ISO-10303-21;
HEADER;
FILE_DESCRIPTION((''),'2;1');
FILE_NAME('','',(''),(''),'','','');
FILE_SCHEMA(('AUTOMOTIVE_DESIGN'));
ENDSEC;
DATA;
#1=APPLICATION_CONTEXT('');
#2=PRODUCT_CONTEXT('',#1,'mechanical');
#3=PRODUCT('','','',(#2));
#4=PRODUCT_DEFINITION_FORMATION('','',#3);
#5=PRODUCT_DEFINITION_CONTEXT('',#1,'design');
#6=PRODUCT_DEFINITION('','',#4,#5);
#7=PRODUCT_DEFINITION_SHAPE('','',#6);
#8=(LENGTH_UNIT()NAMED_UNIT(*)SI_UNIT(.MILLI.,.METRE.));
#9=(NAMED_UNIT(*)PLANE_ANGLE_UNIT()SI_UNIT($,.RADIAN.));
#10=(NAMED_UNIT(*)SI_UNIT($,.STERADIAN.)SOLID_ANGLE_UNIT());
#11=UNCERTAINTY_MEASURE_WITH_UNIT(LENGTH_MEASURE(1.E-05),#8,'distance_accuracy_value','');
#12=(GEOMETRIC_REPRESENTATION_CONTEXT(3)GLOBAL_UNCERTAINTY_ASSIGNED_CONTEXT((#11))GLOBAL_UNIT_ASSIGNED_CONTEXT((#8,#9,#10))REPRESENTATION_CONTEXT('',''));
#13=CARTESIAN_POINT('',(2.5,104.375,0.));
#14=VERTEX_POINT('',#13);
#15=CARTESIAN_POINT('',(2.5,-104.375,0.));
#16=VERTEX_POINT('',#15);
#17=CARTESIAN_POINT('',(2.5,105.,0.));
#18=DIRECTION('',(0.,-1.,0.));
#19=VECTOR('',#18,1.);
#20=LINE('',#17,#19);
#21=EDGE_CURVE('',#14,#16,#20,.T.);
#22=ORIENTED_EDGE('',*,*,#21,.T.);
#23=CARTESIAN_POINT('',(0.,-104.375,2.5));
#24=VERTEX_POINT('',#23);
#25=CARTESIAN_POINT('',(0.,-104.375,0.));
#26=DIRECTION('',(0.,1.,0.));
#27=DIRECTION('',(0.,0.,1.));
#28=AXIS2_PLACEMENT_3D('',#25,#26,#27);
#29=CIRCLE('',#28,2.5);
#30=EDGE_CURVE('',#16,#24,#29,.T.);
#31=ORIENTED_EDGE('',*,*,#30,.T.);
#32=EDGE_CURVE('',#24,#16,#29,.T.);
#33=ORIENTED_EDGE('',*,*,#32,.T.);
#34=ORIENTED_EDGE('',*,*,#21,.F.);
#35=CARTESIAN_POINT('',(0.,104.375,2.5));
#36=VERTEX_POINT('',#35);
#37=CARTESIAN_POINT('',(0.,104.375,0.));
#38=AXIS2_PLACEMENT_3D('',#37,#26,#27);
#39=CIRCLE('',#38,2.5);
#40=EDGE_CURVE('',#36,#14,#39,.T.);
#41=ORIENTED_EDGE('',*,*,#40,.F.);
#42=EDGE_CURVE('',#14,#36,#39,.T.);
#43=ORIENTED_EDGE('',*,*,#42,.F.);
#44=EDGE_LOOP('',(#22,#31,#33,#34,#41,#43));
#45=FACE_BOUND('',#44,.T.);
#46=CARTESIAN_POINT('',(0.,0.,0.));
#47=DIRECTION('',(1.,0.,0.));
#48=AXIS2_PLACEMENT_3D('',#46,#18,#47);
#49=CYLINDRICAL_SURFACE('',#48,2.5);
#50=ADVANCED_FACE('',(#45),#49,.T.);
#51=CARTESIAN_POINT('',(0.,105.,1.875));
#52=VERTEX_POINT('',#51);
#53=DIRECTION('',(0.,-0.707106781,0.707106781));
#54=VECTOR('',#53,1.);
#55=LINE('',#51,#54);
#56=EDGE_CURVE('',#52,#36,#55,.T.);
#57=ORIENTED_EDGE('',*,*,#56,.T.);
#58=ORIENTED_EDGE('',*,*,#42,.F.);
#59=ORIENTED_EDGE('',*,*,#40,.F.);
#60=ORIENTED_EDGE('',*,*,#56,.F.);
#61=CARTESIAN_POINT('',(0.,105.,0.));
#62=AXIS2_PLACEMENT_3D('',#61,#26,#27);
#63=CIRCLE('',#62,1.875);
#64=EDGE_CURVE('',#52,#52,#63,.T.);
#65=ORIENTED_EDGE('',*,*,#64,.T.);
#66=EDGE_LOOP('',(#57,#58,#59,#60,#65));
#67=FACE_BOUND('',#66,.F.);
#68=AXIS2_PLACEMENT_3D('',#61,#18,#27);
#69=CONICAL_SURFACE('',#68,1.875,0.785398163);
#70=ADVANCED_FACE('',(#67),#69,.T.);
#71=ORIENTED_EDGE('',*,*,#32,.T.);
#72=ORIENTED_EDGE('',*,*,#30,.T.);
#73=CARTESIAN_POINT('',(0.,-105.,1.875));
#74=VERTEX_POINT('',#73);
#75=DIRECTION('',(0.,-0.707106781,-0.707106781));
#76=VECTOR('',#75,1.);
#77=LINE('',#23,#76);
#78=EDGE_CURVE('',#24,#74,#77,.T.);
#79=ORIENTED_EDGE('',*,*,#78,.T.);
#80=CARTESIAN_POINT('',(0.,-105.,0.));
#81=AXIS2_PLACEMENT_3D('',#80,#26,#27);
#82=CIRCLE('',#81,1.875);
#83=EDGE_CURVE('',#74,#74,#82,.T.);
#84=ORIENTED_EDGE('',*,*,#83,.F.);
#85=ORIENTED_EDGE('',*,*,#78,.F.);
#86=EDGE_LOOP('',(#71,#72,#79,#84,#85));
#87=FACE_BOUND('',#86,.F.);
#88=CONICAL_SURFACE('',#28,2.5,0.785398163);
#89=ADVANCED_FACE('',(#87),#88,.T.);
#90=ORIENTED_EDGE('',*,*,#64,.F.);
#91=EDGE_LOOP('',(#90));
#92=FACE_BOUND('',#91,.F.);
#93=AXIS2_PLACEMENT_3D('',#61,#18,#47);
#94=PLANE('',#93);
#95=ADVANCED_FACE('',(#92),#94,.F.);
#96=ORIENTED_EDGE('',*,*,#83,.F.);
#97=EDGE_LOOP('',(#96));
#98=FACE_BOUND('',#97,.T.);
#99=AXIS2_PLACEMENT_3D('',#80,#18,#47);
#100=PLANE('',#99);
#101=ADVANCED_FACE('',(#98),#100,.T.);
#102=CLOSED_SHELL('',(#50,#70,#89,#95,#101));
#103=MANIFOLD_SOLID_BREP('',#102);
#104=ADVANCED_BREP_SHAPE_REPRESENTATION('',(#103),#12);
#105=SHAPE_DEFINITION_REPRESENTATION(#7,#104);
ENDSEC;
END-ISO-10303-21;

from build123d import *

# Parameters (mm, degrees)
SKETCH_R  = 2.5
PAD_DEPTH = 105


with BuildPart() as part:
    # Sketch → Pad (new body, symmetric)
    with BuildSketch(Plane.XZ):
        Circle(SKETCH_R)
    extrude(amount=PAD_DEPTH, both=True)

    # Sketch001 → Groove (revolve, cut)
    with BuildSketch(Plane.YZ):
        Polygon((-105, 4.5), (105, 4.5), (105, 1.875), (104.375, 2.5), (-104.375, 2.5), (-105, 1.875), align=None)
    revolve(axis=Axis((0, 0, 0), (0, 1, 0)), mode=Mode.SUBTRACT)


solid = part.part
